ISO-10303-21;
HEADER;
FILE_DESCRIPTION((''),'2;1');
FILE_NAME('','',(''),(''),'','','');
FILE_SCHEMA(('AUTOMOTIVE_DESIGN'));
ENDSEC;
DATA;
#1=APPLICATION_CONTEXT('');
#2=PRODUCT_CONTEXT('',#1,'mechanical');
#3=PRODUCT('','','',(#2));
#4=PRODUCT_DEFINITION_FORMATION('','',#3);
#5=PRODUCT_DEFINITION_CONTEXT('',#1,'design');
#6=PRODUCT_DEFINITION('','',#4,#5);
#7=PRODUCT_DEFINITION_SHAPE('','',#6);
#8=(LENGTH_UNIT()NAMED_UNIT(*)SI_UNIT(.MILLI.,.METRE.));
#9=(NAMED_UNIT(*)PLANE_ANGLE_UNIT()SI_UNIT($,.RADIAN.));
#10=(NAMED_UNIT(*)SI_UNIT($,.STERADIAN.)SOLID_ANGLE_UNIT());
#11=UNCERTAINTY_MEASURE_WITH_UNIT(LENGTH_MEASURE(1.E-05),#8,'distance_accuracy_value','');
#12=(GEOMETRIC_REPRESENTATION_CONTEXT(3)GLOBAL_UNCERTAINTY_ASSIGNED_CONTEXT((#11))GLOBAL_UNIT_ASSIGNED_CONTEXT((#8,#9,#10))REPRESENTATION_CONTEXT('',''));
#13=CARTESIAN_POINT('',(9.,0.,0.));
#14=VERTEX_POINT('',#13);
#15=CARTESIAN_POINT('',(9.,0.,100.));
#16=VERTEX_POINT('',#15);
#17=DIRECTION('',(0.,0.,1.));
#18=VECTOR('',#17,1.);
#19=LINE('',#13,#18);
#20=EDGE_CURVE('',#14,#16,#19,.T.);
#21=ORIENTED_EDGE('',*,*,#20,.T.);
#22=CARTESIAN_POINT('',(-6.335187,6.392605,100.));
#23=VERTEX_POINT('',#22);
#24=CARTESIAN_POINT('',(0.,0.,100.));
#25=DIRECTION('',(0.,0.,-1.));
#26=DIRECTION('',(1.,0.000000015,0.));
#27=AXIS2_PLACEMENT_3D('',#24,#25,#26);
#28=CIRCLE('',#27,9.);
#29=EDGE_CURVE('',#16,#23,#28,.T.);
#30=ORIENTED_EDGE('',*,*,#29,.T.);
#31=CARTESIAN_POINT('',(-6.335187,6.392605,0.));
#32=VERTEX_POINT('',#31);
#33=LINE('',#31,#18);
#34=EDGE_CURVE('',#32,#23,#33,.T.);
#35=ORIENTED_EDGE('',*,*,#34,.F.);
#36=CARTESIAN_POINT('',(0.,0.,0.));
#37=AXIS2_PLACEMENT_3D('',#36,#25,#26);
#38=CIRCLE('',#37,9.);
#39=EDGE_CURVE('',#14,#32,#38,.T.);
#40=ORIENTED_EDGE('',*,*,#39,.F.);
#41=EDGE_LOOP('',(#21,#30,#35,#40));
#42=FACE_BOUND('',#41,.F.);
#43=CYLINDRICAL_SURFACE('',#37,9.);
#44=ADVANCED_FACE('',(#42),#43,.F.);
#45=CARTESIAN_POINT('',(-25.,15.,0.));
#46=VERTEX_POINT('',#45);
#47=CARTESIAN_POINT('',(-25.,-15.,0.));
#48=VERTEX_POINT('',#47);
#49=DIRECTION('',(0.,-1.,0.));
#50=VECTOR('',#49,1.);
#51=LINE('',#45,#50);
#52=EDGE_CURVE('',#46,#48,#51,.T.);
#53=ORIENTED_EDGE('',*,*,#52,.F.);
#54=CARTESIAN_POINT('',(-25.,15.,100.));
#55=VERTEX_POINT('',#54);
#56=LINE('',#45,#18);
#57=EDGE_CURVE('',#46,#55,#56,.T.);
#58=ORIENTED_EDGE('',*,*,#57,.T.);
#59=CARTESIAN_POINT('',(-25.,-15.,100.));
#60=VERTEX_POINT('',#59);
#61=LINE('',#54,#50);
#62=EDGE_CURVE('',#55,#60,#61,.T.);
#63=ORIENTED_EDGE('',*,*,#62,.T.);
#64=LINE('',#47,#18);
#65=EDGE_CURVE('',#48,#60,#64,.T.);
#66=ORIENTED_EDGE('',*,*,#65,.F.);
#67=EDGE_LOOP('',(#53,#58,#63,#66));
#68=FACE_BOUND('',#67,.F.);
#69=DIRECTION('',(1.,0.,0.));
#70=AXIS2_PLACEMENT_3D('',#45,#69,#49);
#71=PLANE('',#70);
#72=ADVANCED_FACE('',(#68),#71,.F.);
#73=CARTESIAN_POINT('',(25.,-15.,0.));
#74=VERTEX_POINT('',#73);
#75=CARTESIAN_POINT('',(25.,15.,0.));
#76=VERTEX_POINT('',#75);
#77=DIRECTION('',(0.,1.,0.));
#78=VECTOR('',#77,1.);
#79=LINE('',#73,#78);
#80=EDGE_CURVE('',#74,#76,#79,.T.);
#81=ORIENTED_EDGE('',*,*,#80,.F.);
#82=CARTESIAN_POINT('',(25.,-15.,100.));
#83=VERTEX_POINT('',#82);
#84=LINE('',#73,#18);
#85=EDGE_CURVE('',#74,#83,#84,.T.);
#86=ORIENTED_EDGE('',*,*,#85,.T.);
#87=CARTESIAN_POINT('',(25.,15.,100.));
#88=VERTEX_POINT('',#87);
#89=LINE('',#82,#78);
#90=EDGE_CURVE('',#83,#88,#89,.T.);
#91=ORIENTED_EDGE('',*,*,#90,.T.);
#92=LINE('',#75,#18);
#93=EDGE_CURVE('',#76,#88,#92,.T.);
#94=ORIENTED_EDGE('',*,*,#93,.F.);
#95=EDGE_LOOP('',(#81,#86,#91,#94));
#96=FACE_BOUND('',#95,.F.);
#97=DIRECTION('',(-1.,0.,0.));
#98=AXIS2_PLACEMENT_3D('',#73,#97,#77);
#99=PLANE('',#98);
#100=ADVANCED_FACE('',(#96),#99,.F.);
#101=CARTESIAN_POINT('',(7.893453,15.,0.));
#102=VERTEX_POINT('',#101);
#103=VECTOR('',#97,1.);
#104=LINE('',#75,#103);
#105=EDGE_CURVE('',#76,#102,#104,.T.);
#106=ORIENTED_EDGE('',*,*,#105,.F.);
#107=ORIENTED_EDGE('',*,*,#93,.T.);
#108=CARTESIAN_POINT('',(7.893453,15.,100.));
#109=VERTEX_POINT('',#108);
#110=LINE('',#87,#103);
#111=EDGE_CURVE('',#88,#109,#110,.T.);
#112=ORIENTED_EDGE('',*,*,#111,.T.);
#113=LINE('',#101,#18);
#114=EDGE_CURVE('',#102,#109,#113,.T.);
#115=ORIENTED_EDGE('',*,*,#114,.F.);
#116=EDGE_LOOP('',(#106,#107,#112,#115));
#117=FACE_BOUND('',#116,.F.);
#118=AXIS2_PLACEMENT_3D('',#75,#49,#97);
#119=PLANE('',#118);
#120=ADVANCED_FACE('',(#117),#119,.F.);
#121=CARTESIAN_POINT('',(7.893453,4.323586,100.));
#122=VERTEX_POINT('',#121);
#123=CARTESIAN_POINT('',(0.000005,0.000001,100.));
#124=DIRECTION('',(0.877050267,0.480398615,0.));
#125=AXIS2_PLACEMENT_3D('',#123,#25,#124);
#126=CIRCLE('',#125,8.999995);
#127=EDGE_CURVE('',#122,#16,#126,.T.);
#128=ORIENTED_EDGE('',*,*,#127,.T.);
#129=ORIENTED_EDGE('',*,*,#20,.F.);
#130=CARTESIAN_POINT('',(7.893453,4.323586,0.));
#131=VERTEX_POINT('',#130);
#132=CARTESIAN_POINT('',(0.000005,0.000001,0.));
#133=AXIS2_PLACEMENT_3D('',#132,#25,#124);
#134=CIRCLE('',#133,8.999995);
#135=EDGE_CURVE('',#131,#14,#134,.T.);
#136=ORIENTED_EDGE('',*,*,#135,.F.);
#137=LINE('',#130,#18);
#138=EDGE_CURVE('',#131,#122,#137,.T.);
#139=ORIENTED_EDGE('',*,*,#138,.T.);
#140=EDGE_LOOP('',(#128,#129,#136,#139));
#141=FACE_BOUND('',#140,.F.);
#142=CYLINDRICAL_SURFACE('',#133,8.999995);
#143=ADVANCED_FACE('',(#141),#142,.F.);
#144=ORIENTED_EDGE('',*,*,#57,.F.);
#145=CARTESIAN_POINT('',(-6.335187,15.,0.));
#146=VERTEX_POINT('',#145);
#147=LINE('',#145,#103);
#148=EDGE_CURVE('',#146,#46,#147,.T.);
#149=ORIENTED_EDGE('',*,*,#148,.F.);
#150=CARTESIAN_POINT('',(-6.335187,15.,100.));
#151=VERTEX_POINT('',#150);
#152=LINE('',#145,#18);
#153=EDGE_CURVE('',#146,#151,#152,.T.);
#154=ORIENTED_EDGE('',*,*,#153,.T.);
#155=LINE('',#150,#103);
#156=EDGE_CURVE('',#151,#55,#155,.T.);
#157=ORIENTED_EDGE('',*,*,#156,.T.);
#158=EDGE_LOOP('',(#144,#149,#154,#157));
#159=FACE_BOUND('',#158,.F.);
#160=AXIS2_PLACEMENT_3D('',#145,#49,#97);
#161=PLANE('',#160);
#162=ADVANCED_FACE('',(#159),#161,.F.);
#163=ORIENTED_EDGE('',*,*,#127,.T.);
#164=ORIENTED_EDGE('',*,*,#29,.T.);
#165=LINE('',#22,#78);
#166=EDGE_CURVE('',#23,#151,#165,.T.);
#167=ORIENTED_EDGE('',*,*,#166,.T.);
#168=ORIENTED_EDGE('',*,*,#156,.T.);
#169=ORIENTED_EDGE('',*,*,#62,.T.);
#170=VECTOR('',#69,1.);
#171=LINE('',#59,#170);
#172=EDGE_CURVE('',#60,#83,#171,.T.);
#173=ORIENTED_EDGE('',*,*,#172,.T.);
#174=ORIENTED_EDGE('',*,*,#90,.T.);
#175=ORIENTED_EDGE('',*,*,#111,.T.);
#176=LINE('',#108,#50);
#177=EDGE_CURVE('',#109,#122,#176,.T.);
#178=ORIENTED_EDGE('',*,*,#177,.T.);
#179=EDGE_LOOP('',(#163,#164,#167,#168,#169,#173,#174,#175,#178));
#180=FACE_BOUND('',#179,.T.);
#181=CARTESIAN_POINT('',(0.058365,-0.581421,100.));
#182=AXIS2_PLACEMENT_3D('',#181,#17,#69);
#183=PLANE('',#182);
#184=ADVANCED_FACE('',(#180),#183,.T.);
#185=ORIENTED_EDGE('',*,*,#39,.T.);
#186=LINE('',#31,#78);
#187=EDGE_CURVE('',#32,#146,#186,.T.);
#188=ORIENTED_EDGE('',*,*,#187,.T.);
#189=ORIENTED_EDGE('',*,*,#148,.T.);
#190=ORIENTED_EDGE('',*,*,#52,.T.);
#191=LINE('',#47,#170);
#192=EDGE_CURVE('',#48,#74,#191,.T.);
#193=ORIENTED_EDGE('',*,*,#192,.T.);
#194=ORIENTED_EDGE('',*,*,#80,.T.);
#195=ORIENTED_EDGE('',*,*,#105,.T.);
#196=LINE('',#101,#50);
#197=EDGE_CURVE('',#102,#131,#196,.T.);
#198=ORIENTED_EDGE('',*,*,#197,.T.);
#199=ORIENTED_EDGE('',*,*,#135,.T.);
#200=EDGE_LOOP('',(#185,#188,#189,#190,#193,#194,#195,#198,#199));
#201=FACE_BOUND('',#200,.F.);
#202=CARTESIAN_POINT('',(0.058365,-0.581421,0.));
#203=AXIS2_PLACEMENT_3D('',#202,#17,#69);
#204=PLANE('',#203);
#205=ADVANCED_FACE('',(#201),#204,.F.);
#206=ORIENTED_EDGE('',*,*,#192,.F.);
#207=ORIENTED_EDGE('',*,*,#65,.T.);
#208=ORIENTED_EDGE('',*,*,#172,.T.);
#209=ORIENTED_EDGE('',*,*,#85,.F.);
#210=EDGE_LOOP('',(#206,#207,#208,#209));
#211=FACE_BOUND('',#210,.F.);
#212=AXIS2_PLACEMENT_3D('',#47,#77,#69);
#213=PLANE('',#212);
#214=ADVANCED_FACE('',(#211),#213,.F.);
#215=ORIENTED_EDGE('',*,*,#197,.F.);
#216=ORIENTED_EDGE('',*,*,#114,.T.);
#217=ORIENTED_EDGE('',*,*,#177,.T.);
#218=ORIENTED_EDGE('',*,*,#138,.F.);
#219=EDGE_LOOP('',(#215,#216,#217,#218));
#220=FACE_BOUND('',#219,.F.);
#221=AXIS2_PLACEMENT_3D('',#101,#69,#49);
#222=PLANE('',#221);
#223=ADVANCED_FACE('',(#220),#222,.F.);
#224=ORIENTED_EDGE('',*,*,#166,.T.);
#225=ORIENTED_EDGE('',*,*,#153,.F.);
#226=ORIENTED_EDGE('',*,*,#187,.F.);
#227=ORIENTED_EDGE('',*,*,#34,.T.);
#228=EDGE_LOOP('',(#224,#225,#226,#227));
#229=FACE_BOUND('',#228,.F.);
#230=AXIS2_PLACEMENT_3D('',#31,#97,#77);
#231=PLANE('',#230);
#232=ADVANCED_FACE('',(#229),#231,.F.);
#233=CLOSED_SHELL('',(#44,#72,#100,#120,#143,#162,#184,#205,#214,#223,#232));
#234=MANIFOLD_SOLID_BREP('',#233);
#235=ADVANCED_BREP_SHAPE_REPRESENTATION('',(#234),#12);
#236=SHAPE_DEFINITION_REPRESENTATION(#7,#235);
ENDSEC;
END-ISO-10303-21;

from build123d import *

# Parameters (mm, degrees)
F1_DEPTH = 100


with BuildPart() as f1:
    # F0 (on Top) → F1 (new body)
    with BuildSketch(Plane.XY):
        with BuildLine():
            Line((-25, -15), (25, -15))
            Line((25, -15), (25, 15))
            Line((25, 15), (7.893453, 15))
            Line((7.893453, 15), (7.893453, 4.323586))
            ThreePointArc((7.893453, 4.323586), (8.718976, 2.23147), (9, 0))
            ThreePointArc((9, 0), (-3.462897, -8.307126), (-6.335187, 6.392605))
            Line((-6.335187, 6.392605), (-6.335187, 15))
            Line((-6.335187, 15), (-25, 15))
            Line((-25, 15), (-25, -15))
        make_face()
    extrude(amount=F1_DEPTH)


solid = f1.part
